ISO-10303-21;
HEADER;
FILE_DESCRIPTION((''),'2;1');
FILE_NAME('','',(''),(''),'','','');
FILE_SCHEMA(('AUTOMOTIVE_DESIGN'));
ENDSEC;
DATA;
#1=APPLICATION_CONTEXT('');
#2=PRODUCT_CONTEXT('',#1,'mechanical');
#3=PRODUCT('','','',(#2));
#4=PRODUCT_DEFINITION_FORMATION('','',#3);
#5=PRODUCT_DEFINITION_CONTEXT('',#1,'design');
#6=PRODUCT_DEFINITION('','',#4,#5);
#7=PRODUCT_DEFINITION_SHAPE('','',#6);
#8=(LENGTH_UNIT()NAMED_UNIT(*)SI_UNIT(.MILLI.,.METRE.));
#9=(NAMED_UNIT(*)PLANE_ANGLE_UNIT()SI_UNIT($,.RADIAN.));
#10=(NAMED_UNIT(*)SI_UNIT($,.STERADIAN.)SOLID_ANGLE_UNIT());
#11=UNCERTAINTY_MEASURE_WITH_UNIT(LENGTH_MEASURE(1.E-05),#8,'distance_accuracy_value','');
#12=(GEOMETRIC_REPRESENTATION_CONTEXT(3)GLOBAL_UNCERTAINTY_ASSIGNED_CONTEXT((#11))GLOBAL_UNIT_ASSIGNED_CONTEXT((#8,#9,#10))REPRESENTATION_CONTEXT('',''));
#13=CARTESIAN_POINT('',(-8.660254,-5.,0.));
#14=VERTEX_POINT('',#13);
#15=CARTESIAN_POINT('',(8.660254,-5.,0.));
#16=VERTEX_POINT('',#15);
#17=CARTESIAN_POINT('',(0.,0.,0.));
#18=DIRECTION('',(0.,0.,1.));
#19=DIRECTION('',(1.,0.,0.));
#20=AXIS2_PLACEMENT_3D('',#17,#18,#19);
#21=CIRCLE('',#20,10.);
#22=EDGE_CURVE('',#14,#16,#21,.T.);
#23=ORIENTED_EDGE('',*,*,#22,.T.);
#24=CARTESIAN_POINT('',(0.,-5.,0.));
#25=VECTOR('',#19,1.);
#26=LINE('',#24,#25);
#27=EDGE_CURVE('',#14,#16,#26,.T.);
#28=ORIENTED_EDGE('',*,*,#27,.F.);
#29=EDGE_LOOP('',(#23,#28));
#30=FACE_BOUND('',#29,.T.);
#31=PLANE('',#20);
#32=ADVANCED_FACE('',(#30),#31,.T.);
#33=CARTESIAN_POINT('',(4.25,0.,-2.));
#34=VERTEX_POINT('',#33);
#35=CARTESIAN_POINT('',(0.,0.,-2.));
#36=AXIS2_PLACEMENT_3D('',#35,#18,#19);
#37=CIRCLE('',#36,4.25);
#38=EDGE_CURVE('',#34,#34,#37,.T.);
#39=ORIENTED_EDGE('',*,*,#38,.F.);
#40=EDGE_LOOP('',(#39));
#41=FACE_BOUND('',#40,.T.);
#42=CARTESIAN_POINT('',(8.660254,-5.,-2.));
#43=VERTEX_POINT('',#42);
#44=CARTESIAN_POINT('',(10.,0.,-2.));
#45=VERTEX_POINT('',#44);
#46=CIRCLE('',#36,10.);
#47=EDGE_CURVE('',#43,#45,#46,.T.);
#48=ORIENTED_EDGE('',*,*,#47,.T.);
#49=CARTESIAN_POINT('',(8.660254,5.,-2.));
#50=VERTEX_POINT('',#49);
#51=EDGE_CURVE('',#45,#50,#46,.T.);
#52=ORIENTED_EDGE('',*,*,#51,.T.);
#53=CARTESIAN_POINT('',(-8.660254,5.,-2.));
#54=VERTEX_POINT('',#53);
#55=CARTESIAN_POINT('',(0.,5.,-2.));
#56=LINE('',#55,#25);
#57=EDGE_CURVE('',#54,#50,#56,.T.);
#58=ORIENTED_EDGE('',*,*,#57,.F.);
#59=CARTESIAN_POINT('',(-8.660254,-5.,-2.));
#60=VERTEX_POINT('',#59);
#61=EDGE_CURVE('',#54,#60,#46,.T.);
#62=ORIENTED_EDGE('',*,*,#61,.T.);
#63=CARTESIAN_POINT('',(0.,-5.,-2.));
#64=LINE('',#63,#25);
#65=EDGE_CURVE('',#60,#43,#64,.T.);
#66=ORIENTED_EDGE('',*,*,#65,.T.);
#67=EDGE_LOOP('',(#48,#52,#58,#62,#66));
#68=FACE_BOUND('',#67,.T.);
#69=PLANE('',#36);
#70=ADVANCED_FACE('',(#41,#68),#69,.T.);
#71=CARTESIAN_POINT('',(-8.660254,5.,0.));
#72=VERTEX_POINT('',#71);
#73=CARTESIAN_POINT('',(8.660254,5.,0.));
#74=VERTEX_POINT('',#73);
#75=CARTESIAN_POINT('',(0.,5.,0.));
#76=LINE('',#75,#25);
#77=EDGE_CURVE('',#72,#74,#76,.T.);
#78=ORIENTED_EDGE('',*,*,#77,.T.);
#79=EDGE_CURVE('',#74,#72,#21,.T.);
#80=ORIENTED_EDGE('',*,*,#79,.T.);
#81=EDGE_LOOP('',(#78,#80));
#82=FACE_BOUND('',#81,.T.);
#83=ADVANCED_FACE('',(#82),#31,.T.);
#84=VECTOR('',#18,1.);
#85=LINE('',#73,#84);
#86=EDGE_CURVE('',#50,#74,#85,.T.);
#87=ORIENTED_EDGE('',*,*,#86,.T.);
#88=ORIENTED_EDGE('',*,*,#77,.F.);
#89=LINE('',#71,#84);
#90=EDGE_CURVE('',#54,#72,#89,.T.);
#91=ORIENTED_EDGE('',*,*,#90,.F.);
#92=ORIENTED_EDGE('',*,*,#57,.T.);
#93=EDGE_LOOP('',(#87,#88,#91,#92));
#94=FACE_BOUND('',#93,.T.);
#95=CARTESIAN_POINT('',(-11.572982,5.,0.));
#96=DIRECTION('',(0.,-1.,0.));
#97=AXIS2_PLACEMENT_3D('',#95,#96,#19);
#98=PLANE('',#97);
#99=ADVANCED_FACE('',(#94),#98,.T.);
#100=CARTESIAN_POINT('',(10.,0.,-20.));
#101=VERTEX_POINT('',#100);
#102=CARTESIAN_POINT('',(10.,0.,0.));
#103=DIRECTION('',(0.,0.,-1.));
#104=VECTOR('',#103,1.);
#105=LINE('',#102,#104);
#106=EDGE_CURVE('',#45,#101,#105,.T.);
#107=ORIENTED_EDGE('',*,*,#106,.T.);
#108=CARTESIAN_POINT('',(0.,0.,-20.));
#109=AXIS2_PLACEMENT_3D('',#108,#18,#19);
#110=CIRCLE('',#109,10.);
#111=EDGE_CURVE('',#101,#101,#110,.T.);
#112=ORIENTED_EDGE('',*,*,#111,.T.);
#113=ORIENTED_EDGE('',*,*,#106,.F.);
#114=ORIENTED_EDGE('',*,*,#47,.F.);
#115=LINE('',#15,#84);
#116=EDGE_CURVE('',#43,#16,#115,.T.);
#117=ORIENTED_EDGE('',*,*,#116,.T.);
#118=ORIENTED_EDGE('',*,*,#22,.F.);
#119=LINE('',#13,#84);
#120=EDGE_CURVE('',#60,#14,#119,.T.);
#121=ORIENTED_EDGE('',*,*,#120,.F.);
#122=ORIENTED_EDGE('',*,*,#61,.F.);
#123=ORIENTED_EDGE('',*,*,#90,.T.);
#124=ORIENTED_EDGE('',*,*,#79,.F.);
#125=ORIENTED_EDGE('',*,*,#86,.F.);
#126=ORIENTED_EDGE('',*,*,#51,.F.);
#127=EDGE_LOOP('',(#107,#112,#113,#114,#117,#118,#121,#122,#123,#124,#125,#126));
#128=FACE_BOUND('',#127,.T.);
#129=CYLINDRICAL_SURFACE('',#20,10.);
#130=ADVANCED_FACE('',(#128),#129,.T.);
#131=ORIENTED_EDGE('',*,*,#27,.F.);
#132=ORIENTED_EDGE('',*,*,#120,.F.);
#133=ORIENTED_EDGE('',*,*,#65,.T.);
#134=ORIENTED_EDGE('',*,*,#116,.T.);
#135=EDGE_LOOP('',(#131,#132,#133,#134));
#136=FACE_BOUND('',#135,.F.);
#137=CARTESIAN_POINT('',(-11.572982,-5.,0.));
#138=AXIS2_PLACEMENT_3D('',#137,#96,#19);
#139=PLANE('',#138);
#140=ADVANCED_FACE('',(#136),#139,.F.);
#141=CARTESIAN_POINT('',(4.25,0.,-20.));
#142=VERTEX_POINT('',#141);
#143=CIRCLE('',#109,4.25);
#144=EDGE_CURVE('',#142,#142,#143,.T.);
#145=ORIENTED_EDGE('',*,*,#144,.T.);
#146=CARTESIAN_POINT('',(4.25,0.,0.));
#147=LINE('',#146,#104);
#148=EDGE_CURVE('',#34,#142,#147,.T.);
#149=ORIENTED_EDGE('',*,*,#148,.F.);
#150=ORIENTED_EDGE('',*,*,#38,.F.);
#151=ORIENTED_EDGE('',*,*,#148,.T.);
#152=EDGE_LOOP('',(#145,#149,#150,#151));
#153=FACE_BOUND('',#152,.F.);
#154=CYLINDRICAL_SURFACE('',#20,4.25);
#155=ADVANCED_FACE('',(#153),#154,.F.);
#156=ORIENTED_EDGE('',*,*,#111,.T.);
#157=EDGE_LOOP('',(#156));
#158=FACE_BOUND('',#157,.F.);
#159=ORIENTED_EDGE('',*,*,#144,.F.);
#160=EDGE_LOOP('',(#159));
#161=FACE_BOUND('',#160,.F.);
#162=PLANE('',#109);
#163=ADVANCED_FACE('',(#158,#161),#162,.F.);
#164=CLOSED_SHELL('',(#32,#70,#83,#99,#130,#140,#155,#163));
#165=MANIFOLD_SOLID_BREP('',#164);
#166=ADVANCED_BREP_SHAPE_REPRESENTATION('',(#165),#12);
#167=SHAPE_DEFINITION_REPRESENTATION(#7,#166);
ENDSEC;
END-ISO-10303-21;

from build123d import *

# Parameters (mm, degrees)
F0_R     = 10
F1_DEPTH = 20
F2_R     = 4.25
F3_DEPTH = 20.001
F4_W     = 23.145964
F4_H     = 10
F5_DEPTH = 2


with BuildPart() as f1:
    # F0 (on Top) → F1 (new body)
    with BuildSketch(Plane.XY):
        Circle(F0_R)
    extrude(amount=-F1_DEPTH)

    # F2 (on Top) → F3 (cut, through all)
    with BuildSketch(Plane.XY):
        Circle(F2_R)
    extrude(amount=-F3_DEPTH, mode=Mode.SUBTRACT)

    # F4 (on face) → F5 (cut)
    with BuildSketch(Plane.XY):
        Rectangle(F4_W, F4_H)
    extrude(amount=-F5_DEPTH, mode=Mode.SUBTRACT)


solid = f1.part
